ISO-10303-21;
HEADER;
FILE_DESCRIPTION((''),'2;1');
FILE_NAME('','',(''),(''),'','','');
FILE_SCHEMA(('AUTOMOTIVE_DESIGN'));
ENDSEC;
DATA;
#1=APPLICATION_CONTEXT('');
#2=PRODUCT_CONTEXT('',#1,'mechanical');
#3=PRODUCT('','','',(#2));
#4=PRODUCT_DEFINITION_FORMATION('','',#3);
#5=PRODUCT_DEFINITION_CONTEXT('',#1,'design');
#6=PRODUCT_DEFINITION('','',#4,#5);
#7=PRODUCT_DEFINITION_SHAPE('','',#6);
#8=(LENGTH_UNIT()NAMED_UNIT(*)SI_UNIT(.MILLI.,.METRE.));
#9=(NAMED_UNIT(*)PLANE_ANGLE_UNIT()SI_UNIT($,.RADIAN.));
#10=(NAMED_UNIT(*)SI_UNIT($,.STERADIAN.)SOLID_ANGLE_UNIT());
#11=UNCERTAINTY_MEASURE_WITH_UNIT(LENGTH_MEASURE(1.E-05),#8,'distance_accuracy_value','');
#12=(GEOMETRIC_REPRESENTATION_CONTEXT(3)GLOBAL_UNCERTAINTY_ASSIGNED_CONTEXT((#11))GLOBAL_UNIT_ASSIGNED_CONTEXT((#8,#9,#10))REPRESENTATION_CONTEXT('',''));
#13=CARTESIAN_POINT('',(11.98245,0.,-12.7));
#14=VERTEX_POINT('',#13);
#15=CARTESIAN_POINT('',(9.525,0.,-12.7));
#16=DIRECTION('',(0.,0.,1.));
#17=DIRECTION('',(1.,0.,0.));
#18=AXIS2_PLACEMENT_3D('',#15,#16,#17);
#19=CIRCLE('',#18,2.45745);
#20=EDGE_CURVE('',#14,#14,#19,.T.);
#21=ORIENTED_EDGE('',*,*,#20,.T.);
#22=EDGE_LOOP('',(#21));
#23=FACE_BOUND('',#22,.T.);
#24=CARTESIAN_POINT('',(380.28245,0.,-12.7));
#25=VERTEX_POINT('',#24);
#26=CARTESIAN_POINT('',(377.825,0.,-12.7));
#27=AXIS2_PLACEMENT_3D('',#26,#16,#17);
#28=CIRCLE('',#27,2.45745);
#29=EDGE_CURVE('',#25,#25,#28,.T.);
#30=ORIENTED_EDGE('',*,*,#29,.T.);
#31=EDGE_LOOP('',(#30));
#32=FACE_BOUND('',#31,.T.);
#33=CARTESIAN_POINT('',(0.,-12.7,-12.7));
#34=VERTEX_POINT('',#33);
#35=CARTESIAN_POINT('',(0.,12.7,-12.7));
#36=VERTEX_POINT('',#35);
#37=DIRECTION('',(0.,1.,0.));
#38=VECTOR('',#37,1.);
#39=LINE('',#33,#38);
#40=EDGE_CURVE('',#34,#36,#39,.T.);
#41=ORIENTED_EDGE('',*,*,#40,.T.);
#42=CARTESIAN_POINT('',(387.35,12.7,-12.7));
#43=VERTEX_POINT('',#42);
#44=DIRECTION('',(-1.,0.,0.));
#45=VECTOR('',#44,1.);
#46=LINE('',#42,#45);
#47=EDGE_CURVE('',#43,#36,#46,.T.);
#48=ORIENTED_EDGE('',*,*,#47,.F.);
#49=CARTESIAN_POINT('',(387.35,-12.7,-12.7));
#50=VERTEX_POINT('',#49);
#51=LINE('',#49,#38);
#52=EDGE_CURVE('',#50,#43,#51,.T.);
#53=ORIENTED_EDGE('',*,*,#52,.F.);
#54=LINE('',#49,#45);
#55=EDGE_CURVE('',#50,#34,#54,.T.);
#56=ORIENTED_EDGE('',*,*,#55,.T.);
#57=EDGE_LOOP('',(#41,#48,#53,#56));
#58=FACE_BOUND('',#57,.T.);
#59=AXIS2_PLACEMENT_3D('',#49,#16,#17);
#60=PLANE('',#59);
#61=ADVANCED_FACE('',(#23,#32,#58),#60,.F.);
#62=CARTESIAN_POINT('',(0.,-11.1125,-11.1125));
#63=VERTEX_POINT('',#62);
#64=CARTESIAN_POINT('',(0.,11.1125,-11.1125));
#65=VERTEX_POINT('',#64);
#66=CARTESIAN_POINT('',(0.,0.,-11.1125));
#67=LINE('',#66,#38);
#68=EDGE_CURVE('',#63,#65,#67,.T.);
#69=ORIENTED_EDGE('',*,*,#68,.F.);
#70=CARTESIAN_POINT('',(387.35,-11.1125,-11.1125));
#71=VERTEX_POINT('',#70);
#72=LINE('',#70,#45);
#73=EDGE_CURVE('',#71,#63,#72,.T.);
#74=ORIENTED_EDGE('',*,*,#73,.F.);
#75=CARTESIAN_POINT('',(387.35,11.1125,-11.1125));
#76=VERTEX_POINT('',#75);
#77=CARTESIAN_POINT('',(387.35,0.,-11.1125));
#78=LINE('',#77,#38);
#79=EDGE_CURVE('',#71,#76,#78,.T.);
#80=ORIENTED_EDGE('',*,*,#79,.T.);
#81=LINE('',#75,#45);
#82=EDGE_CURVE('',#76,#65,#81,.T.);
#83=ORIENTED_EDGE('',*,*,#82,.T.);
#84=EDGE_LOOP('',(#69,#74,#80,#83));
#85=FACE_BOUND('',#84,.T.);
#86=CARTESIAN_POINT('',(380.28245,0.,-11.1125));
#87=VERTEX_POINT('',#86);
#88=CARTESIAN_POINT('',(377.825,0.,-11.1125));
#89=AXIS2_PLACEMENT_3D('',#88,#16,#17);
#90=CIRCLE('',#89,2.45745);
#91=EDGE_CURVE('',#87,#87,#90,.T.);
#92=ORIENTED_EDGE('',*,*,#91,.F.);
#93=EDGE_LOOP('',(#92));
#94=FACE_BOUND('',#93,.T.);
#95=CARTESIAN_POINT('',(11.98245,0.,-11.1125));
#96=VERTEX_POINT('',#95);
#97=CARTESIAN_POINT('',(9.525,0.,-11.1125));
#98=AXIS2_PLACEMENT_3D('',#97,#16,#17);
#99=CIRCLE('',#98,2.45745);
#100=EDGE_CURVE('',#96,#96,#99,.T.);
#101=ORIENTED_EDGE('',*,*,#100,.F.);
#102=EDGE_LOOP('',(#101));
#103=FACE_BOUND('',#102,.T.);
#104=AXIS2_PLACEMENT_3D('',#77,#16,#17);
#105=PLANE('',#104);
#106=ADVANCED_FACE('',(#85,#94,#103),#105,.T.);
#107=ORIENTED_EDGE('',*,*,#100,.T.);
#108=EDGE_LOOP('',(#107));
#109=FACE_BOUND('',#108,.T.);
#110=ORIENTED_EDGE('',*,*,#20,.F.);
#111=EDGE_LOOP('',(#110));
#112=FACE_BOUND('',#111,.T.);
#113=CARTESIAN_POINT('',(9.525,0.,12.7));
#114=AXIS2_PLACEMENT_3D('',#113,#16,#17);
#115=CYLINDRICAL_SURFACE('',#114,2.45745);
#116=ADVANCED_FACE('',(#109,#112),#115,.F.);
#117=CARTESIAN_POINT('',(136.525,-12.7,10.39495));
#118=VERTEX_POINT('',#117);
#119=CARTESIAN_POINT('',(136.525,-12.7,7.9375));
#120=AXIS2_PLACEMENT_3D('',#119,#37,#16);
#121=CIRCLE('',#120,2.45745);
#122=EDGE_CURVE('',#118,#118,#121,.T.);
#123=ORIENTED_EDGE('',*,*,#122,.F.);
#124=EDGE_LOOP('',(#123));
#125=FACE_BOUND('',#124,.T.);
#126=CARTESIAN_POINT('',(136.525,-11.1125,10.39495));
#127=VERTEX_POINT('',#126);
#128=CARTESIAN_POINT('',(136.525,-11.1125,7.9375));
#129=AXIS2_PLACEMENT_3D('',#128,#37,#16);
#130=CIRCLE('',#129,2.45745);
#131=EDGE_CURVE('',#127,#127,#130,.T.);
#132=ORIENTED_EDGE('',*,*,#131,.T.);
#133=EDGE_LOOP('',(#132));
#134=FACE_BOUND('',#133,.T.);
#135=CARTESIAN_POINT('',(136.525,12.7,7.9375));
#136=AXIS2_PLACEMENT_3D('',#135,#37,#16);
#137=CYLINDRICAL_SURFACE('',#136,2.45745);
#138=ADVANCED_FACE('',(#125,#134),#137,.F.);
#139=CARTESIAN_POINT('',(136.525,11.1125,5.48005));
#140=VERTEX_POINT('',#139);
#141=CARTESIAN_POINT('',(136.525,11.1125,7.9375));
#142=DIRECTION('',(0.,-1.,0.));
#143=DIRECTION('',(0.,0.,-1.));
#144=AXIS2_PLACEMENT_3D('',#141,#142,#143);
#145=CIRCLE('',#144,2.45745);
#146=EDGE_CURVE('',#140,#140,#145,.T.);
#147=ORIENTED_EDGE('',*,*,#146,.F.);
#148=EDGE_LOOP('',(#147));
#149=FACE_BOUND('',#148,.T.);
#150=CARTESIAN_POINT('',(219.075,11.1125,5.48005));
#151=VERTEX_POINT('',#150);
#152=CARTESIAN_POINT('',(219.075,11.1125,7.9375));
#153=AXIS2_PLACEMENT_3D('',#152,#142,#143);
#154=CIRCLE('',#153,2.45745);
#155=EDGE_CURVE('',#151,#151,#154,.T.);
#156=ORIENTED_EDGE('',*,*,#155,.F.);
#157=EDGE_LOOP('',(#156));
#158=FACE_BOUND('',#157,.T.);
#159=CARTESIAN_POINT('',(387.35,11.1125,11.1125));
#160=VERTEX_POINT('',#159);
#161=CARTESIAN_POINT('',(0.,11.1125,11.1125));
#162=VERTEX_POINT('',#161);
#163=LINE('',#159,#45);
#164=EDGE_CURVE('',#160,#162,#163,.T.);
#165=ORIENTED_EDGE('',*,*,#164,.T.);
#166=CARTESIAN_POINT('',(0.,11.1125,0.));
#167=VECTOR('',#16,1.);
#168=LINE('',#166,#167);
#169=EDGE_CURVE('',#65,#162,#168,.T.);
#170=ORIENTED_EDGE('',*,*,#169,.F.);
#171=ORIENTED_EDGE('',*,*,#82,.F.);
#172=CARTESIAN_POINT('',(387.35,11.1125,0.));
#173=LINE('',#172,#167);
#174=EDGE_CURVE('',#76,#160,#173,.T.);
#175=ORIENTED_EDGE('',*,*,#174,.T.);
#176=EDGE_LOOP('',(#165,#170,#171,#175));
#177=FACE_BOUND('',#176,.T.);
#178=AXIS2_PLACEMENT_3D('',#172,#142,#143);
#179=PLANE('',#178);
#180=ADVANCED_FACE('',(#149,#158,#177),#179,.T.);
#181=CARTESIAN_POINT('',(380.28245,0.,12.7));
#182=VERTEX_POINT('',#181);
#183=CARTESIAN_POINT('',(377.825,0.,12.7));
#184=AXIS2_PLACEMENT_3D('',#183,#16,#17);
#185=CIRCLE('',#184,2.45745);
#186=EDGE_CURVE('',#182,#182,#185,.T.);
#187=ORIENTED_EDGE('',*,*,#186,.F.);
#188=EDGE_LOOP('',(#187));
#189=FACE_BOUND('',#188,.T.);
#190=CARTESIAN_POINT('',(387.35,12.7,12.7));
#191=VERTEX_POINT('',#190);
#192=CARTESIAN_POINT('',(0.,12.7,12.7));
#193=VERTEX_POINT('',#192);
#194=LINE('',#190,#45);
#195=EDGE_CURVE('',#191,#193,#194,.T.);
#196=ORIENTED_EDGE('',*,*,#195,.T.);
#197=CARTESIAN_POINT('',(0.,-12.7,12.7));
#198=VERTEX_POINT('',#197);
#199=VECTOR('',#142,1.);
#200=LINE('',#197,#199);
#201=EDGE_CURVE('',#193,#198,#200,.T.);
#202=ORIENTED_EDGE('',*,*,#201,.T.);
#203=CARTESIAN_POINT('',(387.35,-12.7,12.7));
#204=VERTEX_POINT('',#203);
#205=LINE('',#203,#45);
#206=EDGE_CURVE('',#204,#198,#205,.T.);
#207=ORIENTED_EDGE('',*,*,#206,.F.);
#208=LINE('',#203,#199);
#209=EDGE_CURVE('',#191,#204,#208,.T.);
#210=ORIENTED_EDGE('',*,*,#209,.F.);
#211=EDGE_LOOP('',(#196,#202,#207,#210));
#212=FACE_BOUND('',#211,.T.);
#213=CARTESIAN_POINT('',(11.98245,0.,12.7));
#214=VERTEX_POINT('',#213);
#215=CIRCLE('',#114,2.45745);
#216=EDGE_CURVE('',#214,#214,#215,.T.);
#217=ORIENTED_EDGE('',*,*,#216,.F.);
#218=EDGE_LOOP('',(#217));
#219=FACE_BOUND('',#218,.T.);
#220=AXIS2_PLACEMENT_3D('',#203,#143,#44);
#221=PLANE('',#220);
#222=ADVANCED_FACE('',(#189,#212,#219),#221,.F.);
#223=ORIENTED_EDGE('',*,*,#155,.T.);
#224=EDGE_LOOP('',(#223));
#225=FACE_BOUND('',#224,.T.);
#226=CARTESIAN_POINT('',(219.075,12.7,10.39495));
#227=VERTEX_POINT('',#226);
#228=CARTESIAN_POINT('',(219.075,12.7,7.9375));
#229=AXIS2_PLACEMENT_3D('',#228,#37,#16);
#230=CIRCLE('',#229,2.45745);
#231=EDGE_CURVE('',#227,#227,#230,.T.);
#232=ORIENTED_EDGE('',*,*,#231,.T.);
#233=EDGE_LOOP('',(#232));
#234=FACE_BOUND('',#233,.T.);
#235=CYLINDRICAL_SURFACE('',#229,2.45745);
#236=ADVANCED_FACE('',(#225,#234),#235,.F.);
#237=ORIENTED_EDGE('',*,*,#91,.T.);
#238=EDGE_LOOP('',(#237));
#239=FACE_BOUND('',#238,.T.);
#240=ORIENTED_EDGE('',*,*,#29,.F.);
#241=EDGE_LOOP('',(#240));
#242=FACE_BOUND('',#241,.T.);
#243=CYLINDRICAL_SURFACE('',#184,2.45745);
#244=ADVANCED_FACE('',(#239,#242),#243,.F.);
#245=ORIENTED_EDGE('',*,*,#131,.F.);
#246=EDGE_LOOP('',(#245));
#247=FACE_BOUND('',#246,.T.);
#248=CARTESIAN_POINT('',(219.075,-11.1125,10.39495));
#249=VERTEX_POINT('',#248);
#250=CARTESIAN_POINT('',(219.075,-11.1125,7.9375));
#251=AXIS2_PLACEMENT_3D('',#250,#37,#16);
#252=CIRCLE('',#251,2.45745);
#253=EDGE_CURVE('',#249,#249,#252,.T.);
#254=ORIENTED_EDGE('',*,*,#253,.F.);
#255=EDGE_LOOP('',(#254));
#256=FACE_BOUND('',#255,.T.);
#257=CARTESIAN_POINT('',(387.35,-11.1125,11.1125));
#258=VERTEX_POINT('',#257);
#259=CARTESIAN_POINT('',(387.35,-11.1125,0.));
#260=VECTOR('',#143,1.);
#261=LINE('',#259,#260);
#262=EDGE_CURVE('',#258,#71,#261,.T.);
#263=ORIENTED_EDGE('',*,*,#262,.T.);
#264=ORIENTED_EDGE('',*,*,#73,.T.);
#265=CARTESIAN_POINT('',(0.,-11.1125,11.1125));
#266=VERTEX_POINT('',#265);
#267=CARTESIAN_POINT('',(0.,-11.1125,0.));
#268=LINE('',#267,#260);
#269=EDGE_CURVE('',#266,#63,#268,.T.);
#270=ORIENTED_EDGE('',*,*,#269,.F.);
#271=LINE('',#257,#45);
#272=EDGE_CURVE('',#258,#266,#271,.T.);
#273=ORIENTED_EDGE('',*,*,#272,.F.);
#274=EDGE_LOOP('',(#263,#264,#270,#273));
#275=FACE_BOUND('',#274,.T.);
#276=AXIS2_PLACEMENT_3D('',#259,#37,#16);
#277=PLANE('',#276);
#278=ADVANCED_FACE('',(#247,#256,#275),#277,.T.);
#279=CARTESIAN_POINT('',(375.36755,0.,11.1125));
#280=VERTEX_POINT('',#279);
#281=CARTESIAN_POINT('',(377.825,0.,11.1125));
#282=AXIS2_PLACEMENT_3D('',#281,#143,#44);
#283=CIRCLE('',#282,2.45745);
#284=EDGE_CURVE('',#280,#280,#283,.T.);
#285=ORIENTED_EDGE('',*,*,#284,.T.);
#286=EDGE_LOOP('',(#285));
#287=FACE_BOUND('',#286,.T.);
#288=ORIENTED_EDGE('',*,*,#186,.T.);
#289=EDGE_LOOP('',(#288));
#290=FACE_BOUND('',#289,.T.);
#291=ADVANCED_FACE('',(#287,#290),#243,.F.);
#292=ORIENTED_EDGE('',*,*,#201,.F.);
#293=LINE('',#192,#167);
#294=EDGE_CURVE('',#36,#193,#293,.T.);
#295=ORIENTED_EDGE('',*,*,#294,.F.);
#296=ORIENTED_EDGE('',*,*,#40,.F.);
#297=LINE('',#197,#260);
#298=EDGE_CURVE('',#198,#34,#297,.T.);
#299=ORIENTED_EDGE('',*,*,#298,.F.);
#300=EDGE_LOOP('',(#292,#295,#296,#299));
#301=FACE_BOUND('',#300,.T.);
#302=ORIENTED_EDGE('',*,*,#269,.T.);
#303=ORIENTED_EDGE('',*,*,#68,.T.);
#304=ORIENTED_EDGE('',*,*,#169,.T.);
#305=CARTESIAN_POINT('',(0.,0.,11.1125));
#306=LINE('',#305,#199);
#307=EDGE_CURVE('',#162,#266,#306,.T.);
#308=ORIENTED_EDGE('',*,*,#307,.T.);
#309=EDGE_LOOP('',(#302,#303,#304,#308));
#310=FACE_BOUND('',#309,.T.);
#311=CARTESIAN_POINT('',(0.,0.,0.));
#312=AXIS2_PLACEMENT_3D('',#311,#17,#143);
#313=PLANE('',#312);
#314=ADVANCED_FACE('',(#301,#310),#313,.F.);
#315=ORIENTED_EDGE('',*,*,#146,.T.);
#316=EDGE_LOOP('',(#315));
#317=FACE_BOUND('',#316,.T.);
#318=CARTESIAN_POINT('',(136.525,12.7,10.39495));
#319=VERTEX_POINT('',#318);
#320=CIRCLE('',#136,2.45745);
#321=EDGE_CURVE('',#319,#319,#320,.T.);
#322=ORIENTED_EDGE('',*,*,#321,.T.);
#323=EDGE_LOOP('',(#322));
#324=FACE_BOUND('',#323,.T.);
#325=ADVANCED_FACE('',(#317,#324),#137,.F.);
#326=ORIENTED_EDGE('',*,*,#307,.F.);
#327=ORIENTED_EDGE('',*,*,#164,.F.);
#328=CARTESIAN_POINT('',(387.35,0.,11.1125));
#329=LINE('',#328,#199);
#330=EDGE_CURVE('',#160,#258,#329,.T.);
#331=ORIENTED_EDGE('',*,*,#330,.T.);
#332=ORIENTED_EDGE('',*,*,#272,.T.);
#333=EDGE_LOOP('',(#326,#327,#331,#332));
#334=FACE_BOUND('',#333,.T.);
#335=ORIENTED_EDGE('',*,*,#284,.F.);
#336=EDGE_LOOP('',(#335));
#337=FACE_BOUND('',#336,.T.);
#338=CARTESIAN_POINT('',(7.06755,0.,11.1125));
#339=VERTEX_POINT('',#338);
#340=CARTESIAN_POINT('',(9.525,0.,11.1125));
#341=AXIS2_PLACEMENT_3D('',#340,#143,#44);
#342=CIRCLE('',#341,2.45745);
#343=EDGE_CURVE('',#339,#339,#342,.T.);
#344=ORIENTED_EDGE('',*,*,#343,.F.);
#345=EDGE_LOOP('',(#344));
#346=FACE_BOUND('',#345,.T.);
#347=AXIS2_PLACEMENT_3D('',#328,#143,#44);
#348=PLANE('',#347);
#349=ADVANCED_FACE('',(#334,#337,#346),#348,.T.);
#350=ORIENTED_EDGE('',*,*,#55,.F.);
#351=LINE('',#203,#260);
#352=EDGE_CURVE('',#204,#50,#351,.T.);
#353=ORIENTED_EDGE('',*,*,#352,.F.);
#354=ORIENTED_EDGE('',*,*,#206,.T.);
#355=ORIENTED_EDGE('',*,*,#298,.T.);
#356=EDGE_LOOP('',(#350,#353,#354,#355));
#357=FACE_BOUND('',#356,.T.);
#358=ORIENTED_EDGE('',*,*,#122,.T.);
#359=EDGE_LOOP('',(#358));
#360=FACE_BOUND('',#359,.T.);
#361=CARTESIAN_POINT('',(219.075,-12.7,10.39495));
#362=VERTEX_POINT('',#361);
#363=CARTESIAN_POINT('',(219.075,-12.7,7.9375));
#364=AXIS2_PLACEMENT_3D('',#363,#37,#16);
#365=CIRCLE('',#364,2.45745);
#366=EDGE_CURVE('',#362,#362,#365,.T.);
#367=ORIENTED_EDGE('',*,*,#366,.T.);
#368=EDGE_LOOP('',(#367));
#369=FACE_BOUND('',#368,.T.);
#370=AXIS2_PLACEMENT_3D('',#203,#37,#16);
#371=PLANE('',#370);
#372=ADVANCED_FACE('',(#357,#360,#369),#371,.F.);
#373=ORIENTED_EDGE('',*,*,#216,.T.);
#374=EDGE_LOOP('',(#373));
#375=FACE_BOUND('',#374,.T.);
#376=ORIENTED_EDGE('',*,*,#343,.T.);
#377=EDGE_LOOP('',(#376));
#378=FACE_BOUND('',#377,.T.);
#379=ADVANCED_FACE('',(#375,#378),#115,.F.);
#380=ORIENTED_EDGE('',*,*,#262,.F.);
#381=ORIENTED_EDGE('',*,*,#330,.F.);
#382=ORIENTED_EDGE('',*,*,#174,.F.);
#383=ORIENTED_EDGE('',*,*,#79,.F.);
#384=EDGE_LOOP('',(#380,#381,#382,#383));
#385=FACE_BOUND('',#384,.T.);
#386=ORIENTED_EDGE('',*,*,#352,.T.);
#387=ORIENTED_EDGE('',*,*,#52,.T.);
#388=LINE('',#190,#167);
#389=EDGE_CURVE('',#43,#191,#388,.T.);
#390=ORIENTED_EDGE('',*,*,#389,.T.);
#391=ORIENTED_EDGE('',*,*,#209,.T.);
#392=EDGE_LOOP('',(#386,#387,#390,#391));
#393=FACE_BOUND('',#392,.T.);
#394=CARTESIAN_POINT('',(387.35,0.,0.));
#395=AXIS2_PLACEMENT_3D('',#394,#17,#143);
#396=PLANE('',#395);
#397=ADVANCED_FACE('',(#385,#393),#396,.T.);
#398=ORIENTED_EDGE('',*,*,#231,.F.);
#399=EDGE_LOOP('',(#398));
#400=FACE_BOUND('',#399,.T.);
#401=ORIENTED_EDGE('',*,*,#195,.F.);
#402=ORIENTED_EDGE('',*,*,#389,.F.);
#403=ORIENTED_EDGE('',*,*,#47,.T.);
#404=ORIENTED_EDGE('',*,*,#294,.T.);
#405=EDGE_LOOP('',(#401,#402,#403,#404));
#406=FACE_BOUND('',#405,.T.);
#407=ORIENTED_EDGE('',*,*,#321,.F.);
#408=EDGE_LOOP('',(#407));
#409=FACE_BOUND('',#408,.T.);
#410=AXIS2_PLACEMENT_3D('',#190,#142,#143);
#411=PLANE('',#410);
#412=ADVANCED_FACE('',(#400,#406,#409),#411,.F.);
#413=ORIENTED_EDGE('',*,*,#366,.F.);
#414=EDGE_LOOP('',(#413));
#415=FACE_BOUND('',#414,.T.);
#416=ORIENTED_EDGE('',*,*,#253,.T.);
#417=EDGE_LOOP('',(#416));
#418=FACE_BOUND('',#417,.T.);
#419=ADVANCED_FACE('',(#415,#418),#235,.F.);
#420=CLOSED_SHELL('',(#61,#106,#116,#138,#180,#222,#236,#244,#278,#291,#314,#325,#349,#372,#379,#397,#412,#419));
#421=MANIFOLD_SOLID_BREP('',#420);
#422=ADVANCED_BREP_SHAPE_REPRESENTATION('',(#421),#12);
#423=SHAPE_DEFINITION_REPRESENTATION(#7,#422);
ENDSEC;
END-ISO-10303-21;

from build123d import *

# Parameters (mm, degrees)
SKETCH1_W                    = 25.4
SKETCH1_H                    = 25.4
SKETCH1_W_2                  = 22.225
SKETCH1_H_2                  = 22.225
EXTRUDE_THIN1_DEPTH          = 387.35
F_10_0_1935_DIAMETER_HOLE1_D = 4.9149
F_10_0_1935_DIAMETER_HOLE2_D = 4.9149


with BuildPart() as part:
    # Sketch1 → Extrude-Thin1 (new body)
    with BuildSketch(Plane(origin=(0, 0, 0), x_dir=(0, 0, -1), z_dir=(1, 0, 0))):
        Rectangle(SKETCH1_W, SKETCH1_H)
        Rectangle(SKETCH1_W_2, SKETCH1_H_2, mode=Mode.SUBTRACT)
    extrude(amount=EXTRUDE_THIN1_DEPTH)

    # #10 (0.1935) Diameter Hole1 (through all)
    with Locations(Plane.XY.offset(12.7)):
        with Locations((9.525, 0), (377.825, 0)):
            Hole(F_10_0_1935_DIAMETER_HOLE1_D / 2)

    # #10 (0.1935) Diameter Hole2 (through all)
    with Locations(Plane(origin=(0, 12.7, 0), x_dir=(1, 0, 0), z_dir=(0, 1, 0))):
        with Locations((136.525, -7.9375), (219.075, -7.9375)):
            Hole(F_10_0_1935_DIAMETER_HOLE2_D / 2)


solid = part.part
